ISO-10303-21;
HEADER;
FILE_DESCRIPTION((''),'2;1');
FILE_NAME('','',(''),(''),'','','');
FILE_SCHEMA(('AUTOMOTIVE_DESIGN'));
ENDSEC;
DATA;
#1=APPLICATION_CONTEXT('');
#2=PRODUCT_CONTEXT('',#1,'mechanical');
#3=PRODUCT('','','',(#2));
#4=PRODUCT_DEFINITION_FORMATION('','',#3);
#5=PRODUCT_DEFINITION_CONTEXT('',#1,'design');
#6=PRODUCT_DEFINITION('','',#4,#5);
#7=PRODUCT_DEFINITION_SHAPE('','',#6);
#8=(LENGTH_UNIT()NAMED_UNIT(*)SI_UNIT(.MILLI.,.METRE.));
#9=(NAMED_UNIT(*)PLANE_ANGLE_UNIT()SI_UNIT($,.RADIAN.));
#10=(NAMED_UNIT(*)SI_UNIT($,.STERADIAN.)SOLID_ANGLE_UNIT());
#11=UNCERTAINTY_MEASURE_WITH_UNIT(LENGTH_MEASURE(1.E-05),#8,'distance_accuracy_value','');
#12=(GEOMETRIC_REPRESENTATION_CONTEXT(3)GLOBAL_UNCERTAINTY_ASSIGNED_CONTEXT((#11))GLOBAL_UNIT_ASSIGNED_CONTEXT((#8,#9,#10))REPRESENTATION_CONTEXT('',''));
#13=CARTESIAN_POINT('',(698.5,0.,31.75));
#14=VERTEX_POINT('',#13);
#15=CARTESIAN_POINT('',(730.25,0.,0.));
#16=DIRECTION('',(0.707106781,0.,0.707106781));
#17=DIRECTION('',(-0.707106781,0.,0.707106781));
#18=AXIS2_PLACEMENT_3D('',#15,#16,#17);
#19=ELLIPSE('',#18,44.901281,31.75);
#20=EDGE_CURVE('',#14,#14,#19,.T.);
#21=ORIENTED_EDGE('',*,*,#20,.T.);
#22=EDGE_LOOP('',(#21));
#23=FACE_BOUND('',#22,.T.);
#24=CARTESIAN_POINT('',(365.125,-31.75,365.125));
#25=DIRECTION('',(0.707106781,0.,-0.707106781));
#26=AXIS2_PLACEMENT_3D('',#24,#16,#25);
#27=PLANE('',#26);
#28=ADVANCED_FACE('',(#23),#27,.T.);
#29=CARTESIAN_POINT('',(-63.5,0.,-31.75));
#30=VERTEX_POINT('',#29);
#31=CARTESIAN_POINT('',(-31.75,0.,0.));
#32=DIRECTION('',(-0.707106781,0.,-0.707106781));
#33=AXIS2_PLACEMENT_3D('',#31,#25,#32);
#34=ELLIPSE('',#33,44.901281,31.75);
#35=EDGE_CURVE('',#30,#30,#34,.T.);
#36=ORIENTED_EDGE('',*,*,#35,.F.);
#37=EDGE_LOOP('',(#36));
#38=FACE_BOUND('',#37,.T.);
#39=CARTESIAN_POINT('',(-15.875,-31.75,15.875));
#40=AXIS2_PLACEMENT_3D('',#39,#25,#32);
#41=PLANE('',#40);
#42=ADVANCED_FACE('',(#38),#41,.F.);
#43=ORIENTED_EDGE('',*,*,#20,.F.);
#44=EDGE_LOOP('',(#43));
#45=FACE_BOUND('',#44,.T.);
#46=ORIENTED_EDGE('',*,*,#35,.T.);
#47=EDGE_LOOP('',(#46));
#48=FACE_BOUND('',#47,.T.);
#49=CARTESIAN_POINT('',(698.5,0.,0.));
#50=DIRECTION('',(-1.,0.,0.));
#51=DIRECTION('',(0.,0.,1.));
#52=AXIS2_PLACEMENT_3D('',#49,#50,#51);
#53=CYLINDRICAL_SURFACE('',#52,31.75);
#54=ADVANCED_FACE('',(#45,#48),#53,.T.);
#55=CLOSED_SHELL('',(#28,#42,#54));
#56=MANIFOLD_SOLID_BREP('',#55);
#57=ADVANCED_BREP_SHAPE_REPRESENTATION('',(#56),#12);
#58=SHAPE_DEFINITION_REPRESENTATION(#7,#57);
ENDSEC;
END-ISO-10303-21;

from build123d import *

# Parameters (mm, degrees)
SKETCH1_R           = 31.75
BOSS_EXTRUDE1_DEPTH = 698.5
SKETCH5_R           = 31.75
BOSS_EXTRUDE2_DEPTH = 63.5
SKETCH6_R           = 31.75
BOSS_EXTRUDE3_DEPTH = 63.5
CUT_EXTRUDE1_DEPTH  = 63.5


with BuildPart() as part:
    # Sketch1 → Boss-Extrude1 (new body)
    with BuildSketch(Plane(origin=(0, 0, 0), x_dir=(0, 0, -1), z_dir=(1, 0, 0))):
        Circle(SKETCH1_R)
    extrude(amount=BOSS_EXTRUDE1_DEPTH)

    # Sketch5 → Boss-Extrude2 (add)
    with BuildSketch(Plane.ZY):
        Circle(SKETCH5_R)
    extrude(amount=BOSS_EXTRUDE2_DEPTH)

    # Sketch6 → Boss-Extrude3 (add)
    with BuildSketch(Plane(origin=(698.5, 0, 0), x_dir=(0, 0, -1), z_dir=(1, 0, 0))):
        Circle(SKETCH6_R)
    extrude(amount=BOSS_EXTRUDE3_DEPTH)

    # Sketch7 → Cut-Extrude1 (cut)
    with BuildSketch(Plane(origin=(0, 31.75, 0), x_dir=(1, 0, 0), z_dir=(0, 1, 0))):
        Polygon((0, -31.75), (-63.5, -31.75), (-63.5, 31.75), align=None)
        Polygon((698.5, -31.75), (762, 31.75), (762, -31.75), align=None)
    extrude(amount=-CUT_EXTRUDE1_DEPTH, mode=Mode.SUBTRACT)


solid = part.part
